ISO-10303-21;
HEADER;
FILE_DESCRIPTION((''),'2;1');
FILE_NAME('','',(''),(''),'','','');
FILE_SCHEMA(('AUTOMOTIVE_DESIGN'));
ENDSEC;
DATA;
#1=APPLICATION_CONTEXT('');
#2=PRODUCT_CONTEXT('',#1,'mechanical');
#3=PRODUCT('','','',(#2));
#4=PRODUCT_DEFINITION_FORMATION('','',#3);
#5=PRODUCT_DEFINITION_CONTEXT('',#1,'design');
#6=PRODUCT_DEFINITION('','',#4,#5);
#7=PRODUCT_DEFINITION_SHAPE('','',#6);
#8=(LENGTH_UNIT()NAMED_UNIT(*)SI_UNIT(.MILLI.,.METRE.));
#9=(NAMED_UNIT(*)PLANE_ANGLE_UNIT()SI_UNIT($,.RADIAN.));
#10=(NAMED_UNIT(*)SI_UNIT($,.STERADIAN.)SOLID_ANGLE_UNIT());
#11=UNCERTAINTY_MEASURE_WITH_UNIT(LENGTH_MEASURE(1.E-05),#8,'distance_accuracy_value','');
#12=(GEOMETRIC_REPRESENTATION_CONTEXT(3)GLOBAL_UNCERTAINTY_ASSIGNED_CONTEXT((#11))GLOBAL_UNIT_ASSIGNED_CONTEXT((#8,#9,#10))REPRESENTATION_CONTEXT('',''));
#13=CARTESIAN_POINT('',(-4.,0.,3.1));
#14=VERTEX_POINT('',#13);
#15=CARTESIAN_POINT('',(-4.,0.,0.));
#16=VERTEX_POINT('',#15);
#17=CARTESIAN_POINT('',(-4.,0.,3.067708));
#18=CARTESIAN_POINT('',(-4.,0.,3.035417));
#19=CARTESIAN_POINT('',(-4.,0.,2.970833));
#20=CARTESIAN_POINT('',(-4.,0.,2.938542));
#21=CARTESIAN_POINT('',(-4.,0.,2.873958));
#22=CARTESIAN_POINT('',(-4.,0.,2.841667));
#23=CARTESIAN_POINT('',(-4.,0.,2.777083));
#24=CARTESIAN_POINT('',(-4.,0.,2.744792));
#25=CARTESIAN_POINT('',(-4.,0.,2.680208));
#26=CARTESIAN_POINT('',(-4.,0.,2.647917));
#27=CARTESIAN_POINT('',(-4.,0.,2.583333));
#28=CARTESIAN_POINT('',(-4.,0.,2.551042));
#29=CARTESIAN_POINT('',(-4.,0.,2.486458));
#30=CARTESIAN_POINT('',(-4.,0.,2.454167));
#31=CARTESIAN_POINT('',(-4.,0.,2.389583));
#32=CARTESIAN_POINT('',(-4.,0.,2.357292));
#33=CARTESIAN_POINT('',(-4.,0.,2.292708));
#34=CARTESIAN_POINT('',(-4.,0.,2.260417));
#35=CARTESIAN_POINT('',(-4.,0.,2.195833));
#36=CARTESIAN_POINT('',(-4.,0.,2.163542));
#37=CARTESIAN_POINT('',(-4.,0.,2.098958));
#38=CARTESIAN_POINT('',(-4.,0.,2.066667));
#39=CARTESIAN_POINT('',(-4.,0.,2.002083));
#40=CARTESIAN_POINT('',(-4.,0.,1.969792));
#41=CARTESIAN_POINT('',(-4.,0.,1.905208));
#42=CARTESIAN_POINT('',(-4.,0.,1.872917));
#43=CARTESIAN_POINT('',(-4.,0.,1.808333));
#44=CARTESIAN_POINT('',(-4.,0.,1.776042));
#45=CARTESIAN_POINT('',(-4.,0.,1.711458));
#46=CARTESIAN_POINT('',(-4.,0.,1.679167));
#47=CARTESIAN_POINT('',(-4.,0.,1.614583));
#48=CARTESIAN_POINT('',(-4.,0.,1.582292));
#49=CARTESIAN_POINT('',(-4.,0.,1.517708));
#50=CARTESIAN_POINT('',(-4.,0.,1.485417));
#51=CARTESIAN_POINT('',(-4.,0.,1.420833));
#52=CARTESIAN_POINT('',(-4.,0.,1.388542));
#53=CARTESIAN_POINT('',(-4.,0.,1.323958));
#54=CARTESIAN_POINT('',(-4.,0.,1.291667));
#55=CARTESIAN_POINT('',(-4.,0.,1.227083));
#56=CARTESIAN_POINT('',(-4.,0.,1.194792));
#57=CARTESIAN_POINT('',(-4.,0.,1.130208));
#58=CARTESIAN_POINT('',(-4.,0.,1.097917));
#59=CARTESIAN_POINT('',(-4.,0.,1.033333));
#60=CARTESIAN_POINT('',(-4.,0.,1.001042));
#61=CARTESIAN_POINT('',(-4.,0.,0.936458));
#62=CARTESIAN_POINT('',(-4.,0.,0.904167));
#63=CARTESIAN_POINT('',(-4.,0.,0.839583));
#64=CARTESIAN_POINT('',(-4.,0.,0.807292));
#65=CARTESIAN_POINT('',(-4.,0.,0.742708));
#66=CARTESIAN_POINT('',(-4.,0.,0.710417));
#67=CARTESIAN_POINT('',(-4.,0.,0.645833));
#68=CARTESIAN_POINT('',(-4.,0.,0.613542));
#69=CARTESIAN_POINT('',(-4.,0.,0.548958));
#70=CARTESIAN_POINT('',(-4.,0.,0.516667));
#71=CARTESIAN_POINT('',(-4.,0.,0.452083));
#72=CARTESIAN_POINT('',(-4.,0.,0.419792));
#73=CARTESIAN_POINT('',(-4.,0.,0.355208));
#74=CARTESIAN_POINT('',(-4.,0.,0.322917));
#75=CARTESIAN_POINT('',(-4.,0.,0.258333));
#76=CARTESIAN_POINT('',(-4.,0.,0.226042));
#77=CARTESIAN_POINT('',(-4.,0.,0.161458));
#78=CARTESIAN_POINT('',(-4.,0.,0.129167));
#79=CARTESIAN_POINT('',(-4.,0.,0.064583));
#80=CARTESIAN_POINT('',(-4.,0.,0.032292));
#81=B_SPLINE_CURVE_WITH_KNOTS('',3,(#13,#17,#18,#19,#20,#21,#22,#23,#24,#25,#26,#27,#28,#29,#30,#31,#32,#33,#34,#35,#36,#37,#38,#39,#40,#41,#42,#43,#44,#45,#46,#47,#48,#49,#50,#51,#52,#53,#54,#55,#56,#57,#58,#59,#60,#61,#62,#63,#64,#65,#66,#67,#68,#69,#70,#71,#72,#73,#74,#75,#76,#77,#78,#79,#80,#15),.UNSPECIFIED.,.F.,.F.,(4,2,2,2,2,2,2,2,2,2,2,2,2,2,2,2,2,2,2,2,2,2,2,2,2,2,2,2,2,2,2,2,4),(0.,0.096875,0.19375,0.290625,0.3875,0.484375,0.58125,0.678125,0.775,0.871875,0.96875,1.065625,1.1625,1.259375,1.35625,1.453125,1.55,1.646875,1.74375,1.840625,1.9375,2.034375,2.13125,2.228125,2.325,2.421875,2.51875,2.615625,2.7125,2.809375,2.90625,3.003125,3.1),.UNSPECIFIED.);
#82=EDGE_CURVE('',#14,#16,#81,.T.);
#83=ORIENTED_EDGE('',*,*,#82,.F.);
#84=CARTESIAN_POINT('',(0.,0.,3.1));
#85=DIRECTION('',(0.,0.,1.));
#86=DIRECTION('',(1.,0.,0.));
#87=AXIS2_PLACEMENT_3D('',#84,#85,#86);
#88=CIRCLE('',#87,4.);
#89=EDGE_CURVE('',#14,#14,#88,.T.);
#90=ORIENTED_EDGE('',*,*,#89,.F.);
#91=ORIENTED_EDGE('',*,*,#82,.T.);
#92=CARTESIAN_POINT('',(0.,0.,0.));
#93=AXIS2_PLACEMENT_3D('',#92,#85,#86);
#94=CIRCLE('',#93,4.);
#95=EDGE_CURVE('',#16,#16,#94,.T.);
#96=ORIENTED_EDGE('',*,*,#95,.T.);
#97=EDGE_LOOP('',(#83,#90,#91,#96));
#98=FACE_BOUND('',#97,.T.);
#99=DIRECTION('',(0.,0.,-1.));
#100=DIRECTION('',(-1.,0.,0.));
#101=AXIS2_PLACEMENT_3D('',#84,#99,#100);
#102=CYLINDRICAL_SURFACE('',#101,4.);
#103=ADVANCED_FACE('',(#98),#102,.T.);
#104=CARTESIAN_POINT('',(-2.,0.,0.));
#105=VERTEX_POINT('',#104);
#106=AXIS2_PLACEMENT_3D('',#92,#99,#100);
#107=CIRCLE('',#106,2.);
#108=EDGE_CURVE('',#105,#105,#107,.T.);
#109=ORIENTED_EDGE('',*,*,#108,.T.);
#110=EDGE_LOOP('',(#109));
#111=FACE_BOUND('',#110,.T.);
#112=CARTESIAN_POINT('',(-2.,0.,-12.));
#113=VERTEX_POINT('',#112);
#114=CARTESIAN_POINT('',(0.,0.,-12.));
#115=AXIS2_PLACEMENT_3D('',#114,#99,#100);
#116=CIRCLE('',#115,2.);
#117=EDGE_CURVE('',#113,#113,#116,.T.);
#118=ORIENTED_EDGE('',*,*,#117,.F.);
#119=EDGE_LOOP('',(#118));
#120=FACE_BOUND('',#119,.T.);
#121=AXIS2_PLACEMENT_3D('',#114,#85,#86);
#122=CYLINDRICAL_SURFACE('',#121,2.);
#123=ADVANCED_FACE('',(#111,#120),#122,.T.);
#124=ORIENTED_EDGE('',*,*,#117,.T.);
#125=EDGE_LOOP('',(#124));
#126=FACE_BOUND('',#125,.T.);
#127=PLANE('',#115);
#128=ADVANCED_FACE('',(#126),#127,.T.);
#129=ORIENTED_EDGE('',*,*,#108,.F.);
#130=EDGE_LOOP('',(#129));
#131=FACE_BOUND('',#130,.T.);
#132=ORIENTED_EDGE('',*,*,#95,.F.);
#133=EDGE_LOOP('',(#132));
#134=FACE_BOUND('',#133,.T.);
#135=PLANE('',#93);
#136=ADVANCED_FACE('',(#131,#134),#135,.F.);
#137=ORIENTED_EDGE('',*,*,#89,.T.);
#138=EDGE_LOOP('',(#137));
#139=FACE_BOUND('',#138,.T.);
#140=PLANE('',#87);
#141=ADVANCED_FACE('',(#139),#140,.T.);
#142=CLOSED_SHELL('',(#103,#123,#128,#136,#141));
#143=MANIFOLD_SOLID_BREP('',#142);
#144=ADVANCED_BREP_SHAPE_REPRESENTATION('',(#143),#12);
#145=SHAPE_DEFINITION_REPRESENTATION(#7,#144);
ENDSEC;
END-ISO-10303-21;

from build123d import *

# Parameters (mm, degrees)
ESQUISSE1_R        = 4
BOSS_EXTRU_1_DEPTH = 3.1
ESQUISSE2_R        = 2
BOSS_EXTRU_2_DEPTH = 12


with BuildPart() as part:
    # Esquisse1 → Boss.-Extru.1 (new body)
    with BuildSketch(Plane.XY):
        with Locations(Location((0, 0, 0), (0, 0, 180))):
            Circle(ESQUISSE1_R)
    extrude(amount=BOSS_EXTRU_1_DEPTH)

    # Esquisse2 → Boss.-Extru.2 (add)
    with BuildSketch(Plane(origin=(0, 0, 0), x_dir=(-1, 0, 0), z_dir=(0, 0, -1))):
        Circle(ESQUISSE2_R)
    extrude(amount=BOSS_EXTRU_2_DEPTH)


solid = part.part
